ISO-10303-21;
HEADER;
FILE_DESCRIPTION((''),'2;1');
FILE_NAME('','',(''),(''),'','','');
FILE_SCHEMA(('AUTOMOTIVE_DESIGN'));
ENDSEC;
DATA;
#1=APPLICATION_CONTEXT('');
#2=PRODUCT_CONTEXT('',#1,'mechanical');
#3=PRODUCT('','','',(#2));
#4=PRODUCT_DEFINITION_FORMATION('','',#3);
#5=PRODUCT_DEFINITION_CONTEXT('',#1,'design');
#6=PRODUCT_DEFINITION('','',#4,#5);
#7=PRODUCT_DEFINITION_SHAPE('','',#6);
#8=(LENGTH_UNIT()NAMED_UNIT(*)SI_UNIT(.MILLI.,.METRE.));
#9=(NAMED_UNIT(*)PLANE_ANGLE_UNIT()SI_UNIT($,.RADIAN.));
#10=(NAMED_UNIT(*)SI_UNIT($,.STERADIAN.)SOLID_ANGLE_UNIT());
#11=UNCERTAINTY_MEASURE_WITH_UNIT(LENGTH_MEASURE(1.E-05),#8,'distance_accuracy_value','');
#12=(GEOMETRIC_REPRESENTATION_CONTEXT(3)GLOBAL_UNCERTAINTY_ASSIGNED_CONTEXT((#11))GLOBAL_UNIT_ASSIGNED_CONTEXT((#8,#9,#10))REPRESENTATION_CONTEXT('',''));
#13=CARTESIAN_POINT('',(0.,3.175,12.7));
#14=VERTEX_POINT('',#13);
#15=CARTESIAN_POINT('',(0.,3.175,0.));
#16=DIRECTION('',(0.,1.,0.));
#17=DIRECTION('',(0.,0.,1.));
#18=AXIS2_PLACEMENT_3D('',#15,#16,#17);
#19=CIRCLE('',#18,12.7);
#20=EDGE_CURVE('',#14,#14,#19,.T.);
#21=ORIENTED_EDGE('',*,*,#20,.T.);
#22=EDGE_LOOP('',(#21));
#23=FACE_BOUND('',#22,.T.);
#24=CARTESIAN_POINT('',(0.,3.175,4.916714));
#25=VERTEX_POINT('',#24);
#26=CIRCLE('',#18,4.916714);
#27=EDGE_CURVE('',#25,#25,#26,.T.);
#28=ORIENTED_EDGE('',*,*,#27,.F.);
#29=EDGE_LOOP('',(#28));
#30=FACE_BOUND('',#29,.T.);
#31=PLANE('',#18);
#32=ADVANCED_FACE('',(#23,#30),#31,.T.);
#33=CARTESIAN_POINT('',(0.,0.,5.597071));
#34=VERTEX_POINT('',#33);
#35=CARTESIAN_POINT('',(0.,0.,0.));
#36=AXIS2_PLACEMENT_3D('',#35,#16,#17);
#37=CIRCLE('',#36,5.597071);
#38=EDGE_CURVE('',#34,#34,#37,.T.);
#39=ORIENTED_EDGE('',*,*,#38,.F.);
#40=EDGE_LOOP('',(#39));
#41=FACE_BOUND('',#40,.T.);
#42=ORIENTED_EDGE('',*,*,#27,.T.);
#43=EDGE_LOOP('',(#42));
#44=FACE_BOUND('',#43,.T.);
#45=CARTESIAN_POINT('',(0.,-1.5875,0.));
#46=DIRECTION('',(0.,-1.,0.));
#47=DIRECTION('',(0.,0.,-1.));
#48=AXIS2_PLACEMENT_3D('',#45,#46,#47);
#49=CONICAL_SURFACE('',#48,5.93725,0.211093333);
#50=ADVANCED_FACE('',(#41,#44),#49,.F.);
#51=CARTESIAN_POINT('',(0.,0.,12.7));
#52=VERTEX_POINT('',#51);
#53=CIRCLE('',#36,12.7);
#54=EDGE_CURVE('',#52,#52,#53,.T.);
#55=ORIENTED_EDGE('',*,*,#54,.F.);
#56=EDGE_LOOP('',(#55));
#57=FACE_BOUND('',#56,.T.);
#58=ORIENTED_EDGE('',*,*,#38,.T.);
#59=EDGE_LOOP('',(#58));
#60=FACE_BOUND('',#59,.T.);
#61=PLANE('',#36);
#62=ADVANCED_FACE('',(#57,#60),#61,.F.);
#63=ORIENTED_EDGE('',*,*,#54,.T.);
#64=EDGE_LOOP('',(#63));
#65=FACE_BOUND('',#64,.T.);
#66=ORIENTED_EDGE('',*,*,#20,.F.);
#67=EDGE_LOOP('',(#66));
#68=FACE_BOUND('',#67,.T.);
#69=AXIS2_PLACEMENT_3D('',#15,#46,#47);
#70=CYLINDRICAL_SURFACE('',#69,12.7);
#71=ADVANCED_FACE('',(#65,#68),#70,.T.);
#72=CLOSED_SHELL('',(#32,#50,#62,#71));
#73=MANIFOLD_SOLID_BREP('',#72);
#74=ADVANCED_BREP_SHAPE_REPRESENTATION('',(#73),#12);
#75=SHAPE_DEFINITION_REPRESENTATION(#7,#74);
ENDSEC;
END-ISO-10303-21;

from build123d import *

# Parameters (mm, degrees)
SKETCH1_R           = 12.7
SKETCH1_R_2         = 3.556
BOSS_EXTRUDE1_DEPTH = 3.175


with BuildPart() as part:
    # Sketch1 → Boss-Extrude1 (new body)
    with BuildSketch(Plane(origin=(0, 0, 0), x_dir=(1, 0, 0), z_dir=(0, 1, 0))):
        with Locations(Location((0, 0, 0), (0, 0, 270))):
            Circle(SKETCH1_R)
        with Locations(Location((0, 0, 0), (0, 0, 270))):
            Circle(SKETCH1_R_2, mode=Mode.SUBTRACT)
    extrude(amount=BOSS_EXTRUDE1_DEPTH)

    # Sketch2 → Cut-Revolve1 (revolve, cut)
    with BuildSketch(Plane.XY, mode=Mode.PRIVATE) as cut_revolve1_sk:
        Polygon((3.556, 0), (3.556, 3.175), (3.556, 3.96875), (4.746625, 3.96875), (5.93725, -1.5875), (3.556, -1.5875), align=None)
    revolve(cut_revolve1_sk.sketch.rotate(Axis((0, 0, 0), (0, 1, 0)), 270), axis=Axis((0, 0, 0), (0, 1, 0)), mode=Mode.SUBTRACT)


solid = part.part
